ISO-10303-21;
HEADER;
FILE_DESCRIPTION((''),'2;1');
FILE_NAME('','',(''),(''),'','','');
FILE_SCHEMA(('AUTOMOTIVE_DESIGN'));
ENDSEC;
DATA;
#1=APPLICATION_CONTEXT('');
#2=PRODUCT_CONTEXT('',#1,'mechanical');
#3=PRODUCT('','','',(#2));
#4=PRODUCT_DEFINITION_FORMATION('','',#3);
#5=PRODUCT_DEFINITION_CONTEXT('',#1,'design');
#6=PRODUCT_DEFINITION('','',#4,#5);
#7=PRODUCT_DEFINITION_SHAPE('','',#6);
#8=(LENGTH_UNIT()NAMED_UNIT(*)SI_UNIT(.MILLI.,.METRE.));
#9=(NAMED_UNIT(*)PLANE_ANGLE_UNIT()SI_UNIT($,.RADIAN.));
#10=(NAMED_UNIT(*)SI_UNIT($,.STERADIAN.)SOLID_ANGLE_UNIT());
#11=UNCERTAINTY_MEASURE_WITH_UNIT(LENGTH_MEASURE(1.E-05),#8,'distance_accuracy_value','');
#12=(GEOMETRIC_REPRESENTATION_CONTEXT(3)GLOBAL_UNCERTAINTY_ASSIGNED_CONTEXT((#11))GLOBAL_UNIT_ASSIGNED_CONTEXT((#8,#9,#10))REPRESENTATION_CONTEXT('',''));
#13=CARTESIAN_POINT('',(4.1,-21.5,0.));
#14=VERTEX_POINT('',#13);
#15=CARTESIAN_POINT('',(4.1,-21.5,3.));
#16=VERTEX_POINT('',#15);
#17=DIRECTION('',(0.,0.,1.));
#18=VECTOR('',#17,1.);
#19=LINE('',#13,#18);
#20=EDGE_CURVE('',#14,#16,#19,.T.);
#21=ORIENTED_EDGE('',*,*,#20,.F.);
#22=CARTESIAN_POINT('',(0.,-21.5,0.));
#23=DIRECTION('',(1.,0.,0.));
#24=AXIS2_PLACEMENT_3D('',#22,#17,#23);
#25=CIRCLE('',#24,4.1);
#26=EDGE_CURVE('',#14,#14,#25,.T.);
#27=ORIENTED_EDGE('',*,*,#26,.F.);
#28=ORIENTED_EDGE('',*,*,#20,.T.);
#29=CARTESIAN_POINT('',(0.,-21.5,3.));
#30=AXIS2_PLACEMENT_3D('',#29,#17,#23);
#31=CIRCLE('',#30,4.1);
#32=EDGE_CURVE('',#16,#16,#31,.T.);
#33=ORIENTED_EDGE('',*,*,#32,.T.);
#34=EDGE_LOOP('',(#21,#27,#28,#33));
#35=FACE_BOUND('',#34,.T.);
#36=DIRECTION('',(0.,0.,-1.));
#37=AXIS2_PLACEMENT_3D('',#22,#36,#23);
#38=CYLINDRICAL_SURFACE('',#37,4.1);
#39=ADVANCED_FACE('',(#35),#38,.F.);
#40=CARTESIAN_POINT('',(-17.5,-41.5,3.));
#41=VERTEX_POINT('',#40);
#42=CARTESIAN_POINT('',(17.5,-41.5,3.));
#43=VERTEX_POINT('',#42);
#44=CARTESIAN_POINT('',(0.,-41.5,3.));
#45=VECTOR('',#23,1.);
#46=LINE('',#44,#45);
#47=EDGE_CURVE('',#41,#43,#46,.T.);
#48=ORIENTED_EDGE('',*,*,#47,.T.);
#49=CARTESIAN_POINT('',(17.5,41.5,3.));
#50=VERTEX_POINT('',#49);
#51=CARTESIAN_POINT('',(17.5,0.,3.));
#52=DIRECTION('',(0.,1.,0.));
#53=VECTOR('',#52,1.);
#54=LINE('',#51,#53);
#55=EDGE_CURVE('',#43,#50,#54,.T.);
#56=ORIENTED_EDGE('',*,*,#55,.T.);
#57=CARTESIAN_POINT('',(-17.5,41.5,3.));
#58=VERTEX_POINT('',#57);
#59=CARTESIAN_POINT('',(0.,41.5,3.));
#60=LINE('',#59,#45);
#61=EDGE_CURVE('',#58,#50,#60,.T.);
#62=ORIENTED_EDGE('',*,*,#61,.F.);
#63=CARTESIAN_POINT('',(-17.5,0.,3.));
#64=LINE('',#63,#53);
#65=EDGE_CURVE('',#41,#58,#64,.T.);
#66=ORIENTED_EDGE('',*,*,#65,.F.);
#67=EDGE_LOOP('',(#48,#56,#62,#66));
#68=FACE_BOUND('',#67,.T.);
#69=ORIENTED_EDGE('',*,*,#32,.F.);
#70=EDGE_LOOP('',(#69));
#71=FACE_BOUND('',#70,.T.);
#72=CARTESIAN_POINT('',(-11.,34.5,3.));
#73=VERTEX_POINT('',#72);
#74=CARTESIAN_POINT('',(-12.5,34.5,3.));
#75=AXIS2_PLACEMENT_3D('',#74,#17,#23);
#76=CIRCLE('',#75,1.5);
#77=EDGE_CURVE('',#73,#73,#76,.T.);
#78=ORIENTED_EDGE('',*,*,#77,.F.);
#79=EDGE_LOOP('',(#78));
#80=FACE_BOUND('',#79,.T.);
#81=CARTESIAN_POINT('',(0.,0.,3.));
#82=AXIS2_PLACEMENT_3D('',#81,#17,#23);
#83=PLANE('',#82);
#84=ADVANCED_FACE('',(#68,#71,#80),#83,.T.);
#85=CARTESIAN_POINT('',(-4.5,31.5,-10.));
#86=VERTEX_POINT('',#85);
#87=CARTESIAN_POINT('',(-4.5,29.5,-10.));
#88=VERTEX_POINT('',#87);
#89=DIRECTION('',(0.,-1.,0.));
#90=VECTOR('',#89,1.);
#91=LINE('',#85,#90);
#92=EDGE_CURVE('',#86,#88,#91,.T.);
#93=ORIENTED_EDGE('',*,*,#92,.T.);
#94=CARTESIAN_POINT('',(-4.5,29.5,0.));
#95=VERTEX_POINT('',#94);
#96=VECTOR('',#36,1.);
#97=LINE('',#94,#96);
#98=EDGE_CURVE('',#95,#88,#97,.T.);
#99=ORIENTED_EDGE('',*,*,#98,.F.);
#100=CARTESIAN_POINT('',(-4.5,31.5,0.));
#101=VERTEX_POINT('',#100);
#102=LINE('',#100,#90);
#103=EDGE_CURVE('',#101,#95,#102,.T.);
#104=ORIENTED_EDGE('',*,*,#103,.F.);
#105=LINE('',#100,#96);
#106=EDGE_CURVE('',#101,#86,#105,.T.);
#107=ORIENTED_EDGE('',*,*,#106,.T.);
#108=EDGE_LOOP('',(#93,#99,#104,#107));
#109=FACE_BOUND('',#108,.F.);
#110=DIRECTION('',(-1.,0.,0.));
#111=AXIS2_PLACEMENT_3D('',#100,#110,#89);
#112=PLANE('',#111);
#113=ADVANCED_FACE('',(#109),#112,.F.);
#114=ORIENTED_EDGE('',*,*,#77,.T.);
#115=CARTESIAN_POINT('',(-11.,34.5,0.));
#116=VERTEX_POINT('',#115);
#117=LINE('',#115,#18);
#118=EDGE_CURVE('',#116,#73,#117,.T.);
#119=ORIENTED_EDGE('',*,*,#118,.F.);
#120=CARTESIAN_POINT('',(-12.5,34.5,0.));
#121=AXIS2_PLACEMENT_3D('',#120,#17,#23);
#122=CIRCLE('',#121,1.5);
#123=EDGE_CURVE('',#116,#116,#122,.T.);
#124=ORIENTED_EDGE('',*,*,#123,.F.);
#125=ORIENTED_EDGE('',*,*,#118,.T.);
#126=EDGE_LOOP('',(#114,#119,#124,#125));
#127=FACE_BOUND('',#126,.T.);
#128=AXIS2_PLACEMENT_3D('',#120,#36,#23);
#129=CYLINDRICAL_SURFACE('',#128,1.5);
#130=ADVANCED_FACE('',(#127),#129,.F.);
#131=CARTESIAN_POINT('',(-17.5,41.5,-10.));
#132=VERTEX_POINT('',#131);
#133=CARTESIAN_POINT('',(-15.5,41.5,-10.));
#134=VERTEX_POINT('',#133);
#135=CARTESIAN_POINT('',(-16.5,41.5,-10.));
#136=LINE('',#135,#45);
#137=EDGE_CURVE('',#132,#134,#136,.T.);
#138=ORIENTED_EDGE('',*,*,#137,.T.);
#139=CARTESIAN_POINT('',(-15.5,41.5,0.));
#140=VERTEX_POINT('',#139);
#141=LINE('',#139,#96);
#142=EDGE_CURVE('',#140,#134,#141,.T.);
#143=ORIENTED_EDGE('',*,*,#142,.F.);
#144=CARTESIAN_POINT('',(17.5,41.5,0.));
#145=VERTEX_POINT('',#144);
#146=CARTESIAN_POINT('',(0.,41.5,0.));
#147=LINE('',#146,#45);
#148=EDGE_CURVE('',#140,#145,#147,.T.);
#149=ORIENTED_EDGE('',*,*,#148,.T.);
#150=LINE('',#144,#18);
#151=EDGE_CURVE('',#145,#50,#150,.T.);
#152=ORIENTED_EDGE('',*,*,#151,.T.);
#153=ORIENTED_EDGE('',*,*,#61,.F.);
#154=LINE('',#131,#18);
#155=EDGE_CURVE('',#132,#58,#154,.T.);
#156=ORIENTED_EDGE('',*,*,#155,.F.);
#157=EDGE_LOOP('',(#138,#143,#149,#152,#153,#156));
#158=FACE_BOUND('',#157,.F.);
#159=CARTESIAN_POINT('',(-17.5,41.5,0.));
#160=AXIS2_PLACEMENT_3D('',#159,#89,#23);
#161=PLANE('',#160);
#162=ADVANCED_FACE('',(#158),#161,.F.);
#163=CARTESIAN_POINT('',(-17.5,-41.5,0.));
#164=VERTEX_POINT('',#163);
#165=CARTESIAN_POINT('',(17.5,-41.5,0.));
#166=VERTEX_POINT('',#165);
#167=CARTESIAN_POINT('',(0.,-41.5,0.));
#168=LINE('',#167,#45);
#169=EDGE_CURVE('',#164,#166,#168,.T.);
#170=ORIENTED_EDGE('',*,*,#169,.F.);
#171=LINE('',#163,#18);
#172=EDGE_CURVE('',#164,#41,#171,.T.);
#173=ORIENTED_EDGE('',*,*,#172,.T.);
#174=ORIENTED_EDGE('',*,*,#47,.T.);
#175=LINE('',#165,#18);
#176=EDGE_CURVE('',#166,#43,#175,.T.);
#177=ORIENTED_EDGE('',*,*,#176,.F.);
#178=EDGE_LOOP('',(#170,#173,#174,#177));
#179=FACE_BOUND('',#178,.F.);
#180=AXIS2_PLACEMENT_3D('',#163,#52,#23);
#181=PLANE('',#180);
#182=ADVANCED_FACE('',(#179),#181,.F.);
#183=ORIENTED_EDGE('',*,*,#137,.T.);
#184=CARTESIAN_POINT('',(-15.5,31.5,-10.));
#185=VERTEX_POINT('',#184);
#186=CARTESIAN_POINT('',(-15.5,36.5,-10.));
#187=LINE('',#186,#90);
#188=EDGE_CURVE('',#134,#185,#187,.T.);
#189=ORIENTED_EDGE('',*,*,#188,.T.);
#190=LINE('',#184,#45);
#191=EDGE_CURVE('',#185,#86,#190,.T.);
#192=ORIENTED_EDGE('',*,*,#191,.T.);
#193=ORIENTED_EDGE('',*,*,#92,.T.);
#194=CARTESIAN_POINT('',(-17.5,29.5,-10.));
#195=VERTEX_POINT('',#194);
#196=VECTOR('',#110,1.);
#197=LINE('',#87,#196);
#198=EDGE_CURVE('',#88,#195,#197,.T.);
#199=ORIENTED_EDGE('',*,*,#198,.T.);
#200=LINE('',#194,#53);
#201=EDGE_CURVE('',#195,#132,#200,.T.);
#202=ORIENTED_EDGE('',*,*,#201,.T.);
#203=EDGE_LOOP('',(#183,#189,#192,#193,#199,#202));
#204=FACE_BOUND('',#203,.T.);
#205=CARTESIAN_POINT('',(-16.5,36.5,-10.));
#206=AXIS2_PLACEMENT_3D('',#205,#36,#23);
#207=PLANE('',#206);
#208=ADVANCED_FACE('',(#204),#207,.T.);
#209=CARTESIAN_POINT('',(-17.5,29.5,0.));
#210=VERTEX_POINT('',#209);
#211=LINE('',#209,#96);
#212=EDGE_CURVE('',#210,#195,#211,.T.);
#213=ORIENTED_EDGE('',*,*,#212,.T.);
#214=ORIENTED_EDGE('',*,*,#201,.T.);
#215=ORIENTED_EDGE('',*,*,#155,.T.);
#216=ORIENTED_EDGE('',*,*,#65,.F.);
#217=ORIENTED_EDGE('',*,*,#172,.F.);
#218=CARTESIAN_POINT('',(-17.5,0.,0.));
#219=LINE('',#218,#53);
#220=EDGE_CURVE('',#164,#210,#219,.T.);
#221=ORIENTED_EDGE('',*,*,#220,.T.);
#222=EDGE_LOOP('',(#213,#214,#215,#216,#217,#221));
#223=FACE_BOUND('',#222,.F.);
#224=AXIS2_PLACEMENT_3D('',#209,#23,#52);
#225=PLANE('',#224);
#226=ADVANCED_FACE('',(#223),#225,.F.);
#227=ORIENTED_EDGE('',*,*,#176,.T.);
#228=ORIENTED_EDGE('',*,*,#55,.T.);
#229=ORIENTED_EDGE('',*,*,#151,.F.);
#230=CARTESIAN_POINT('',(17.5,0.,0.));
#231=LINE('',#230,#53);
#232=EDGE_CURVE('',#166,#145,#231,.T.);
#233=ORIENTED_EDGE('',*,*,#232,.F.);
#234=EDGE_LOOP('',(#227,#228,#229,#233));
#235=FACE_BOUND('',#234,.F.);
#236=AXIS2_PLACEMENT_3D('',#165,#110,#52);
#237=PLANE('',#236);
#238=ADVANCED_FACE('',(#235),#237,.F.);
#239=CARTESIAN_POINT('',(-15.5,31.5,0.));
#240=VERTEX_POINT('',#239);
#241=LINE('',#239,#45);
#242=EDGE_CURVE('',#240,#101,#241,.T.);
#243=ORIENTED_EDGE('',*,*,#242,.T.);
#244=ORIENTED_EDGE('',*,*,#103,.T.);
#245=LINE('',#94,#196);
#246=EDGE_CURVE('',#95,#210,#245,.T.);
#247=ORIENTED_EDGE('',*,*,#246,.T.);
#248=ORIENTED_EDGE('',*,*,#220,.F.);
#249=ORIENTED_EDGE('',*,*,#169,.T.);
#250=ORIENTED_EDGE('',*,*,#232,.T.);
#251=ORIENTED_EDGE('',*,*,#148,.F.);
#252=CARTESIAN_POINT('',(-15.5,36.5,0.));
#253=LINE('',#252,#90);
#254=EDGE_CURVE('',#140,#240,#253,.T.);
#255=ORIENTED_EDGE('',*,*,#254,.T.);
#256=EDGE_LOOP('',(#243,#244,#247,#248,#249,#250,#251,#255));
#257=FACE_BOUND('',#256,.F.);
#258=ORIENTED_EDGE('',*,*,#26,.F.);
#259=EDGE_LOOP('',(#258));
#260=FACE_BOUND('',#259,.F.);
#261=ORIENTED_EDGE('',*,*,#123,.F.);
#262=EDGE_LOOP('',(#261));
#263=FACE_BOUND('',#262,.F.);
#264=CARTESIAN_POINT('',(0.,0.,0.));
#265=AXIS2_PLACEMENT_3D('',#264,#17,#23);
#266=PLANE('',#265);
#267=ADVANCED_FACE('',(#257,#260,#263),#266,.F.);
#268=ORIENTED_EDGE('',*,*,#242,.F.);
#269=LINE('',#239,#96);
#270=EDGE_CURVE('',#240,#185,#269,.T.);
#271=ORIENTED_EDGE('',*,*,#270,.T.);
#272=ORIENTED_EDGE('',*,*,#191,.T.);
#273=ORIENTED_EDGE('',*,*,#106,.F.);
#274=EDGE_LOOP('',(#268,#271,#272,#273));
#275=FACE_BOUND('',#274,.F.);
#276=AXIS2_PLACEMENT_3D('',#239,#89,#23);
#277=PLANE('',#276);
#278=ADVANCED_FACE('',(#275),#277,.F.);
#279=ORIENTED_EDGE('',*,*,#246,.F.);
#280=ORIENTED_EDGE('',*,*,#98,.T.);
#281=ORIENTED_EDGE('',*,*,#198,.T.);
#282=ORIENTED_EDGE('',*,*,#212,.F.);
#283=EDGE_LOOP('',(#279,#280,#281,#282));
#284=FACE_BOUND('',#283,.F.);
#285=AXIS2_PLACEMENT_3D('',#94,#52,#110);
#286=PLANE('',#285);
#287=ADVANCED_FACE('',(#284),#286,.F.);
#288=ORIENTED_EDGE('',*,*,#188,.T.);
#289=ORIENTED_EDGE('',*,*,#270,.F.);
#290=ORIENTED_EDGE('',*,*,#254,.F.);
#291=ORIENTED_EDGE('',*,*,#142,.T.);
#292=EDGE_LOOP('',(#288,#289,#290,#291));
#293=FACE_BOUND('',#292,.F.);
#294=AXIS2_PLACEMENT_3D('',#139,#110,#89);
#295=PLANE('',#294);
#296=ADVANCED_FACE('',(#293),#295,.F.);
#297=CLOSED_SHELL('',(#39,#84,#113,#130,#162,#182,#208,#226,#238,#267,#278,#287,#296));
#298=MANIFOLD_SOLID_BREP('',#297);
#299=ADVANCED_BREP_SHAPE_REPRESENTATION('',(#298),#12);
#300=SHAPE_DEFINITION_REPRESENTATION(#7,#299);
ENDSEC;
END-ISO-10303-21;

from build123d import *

# Parameters (mm, degrees)
F0_W     = 35
F0_H     = 83
F0_R     = 4.1
F0_R_2   = 1.5
F1_DEPTH = 3
F2_W     = 2
F2_H     = 10
F3_DEPTH = 10


with BuildPart() as f1:
    # F0 (on Top) → F1 (new body)
    with BuildSketch(Plane.XY):
        Rectangle(F0_W, F0_H)
        with Locations((0, -21.5)):
            Circle(F0_R, mode=Mode.SUBTRACT)
        with Locations((-12.5, 34.5)):
            Circle(F0_R_2, mode=Mode.SUBTRACT)
    extrude(amount=F1_DEPTH)

    # F2 (on face) → F3 (join)
    with BuildSketch(Plane(origin=(0, 0, 0), x_dir=(1, 0, 0), z_dir=(0, 0, -1))):
        with Locations((-16.5, -36.5)):
            Rectangle(F2_W, F2_H)
        Polygon((-15.5, -31.5), (-4.5, -31.5), (-4.5, -29.5), (-17.5, -29.5), (-17.5, -31.5), align=None)
    extrude(amount=F3_DEPTH)


solid = f1.part
